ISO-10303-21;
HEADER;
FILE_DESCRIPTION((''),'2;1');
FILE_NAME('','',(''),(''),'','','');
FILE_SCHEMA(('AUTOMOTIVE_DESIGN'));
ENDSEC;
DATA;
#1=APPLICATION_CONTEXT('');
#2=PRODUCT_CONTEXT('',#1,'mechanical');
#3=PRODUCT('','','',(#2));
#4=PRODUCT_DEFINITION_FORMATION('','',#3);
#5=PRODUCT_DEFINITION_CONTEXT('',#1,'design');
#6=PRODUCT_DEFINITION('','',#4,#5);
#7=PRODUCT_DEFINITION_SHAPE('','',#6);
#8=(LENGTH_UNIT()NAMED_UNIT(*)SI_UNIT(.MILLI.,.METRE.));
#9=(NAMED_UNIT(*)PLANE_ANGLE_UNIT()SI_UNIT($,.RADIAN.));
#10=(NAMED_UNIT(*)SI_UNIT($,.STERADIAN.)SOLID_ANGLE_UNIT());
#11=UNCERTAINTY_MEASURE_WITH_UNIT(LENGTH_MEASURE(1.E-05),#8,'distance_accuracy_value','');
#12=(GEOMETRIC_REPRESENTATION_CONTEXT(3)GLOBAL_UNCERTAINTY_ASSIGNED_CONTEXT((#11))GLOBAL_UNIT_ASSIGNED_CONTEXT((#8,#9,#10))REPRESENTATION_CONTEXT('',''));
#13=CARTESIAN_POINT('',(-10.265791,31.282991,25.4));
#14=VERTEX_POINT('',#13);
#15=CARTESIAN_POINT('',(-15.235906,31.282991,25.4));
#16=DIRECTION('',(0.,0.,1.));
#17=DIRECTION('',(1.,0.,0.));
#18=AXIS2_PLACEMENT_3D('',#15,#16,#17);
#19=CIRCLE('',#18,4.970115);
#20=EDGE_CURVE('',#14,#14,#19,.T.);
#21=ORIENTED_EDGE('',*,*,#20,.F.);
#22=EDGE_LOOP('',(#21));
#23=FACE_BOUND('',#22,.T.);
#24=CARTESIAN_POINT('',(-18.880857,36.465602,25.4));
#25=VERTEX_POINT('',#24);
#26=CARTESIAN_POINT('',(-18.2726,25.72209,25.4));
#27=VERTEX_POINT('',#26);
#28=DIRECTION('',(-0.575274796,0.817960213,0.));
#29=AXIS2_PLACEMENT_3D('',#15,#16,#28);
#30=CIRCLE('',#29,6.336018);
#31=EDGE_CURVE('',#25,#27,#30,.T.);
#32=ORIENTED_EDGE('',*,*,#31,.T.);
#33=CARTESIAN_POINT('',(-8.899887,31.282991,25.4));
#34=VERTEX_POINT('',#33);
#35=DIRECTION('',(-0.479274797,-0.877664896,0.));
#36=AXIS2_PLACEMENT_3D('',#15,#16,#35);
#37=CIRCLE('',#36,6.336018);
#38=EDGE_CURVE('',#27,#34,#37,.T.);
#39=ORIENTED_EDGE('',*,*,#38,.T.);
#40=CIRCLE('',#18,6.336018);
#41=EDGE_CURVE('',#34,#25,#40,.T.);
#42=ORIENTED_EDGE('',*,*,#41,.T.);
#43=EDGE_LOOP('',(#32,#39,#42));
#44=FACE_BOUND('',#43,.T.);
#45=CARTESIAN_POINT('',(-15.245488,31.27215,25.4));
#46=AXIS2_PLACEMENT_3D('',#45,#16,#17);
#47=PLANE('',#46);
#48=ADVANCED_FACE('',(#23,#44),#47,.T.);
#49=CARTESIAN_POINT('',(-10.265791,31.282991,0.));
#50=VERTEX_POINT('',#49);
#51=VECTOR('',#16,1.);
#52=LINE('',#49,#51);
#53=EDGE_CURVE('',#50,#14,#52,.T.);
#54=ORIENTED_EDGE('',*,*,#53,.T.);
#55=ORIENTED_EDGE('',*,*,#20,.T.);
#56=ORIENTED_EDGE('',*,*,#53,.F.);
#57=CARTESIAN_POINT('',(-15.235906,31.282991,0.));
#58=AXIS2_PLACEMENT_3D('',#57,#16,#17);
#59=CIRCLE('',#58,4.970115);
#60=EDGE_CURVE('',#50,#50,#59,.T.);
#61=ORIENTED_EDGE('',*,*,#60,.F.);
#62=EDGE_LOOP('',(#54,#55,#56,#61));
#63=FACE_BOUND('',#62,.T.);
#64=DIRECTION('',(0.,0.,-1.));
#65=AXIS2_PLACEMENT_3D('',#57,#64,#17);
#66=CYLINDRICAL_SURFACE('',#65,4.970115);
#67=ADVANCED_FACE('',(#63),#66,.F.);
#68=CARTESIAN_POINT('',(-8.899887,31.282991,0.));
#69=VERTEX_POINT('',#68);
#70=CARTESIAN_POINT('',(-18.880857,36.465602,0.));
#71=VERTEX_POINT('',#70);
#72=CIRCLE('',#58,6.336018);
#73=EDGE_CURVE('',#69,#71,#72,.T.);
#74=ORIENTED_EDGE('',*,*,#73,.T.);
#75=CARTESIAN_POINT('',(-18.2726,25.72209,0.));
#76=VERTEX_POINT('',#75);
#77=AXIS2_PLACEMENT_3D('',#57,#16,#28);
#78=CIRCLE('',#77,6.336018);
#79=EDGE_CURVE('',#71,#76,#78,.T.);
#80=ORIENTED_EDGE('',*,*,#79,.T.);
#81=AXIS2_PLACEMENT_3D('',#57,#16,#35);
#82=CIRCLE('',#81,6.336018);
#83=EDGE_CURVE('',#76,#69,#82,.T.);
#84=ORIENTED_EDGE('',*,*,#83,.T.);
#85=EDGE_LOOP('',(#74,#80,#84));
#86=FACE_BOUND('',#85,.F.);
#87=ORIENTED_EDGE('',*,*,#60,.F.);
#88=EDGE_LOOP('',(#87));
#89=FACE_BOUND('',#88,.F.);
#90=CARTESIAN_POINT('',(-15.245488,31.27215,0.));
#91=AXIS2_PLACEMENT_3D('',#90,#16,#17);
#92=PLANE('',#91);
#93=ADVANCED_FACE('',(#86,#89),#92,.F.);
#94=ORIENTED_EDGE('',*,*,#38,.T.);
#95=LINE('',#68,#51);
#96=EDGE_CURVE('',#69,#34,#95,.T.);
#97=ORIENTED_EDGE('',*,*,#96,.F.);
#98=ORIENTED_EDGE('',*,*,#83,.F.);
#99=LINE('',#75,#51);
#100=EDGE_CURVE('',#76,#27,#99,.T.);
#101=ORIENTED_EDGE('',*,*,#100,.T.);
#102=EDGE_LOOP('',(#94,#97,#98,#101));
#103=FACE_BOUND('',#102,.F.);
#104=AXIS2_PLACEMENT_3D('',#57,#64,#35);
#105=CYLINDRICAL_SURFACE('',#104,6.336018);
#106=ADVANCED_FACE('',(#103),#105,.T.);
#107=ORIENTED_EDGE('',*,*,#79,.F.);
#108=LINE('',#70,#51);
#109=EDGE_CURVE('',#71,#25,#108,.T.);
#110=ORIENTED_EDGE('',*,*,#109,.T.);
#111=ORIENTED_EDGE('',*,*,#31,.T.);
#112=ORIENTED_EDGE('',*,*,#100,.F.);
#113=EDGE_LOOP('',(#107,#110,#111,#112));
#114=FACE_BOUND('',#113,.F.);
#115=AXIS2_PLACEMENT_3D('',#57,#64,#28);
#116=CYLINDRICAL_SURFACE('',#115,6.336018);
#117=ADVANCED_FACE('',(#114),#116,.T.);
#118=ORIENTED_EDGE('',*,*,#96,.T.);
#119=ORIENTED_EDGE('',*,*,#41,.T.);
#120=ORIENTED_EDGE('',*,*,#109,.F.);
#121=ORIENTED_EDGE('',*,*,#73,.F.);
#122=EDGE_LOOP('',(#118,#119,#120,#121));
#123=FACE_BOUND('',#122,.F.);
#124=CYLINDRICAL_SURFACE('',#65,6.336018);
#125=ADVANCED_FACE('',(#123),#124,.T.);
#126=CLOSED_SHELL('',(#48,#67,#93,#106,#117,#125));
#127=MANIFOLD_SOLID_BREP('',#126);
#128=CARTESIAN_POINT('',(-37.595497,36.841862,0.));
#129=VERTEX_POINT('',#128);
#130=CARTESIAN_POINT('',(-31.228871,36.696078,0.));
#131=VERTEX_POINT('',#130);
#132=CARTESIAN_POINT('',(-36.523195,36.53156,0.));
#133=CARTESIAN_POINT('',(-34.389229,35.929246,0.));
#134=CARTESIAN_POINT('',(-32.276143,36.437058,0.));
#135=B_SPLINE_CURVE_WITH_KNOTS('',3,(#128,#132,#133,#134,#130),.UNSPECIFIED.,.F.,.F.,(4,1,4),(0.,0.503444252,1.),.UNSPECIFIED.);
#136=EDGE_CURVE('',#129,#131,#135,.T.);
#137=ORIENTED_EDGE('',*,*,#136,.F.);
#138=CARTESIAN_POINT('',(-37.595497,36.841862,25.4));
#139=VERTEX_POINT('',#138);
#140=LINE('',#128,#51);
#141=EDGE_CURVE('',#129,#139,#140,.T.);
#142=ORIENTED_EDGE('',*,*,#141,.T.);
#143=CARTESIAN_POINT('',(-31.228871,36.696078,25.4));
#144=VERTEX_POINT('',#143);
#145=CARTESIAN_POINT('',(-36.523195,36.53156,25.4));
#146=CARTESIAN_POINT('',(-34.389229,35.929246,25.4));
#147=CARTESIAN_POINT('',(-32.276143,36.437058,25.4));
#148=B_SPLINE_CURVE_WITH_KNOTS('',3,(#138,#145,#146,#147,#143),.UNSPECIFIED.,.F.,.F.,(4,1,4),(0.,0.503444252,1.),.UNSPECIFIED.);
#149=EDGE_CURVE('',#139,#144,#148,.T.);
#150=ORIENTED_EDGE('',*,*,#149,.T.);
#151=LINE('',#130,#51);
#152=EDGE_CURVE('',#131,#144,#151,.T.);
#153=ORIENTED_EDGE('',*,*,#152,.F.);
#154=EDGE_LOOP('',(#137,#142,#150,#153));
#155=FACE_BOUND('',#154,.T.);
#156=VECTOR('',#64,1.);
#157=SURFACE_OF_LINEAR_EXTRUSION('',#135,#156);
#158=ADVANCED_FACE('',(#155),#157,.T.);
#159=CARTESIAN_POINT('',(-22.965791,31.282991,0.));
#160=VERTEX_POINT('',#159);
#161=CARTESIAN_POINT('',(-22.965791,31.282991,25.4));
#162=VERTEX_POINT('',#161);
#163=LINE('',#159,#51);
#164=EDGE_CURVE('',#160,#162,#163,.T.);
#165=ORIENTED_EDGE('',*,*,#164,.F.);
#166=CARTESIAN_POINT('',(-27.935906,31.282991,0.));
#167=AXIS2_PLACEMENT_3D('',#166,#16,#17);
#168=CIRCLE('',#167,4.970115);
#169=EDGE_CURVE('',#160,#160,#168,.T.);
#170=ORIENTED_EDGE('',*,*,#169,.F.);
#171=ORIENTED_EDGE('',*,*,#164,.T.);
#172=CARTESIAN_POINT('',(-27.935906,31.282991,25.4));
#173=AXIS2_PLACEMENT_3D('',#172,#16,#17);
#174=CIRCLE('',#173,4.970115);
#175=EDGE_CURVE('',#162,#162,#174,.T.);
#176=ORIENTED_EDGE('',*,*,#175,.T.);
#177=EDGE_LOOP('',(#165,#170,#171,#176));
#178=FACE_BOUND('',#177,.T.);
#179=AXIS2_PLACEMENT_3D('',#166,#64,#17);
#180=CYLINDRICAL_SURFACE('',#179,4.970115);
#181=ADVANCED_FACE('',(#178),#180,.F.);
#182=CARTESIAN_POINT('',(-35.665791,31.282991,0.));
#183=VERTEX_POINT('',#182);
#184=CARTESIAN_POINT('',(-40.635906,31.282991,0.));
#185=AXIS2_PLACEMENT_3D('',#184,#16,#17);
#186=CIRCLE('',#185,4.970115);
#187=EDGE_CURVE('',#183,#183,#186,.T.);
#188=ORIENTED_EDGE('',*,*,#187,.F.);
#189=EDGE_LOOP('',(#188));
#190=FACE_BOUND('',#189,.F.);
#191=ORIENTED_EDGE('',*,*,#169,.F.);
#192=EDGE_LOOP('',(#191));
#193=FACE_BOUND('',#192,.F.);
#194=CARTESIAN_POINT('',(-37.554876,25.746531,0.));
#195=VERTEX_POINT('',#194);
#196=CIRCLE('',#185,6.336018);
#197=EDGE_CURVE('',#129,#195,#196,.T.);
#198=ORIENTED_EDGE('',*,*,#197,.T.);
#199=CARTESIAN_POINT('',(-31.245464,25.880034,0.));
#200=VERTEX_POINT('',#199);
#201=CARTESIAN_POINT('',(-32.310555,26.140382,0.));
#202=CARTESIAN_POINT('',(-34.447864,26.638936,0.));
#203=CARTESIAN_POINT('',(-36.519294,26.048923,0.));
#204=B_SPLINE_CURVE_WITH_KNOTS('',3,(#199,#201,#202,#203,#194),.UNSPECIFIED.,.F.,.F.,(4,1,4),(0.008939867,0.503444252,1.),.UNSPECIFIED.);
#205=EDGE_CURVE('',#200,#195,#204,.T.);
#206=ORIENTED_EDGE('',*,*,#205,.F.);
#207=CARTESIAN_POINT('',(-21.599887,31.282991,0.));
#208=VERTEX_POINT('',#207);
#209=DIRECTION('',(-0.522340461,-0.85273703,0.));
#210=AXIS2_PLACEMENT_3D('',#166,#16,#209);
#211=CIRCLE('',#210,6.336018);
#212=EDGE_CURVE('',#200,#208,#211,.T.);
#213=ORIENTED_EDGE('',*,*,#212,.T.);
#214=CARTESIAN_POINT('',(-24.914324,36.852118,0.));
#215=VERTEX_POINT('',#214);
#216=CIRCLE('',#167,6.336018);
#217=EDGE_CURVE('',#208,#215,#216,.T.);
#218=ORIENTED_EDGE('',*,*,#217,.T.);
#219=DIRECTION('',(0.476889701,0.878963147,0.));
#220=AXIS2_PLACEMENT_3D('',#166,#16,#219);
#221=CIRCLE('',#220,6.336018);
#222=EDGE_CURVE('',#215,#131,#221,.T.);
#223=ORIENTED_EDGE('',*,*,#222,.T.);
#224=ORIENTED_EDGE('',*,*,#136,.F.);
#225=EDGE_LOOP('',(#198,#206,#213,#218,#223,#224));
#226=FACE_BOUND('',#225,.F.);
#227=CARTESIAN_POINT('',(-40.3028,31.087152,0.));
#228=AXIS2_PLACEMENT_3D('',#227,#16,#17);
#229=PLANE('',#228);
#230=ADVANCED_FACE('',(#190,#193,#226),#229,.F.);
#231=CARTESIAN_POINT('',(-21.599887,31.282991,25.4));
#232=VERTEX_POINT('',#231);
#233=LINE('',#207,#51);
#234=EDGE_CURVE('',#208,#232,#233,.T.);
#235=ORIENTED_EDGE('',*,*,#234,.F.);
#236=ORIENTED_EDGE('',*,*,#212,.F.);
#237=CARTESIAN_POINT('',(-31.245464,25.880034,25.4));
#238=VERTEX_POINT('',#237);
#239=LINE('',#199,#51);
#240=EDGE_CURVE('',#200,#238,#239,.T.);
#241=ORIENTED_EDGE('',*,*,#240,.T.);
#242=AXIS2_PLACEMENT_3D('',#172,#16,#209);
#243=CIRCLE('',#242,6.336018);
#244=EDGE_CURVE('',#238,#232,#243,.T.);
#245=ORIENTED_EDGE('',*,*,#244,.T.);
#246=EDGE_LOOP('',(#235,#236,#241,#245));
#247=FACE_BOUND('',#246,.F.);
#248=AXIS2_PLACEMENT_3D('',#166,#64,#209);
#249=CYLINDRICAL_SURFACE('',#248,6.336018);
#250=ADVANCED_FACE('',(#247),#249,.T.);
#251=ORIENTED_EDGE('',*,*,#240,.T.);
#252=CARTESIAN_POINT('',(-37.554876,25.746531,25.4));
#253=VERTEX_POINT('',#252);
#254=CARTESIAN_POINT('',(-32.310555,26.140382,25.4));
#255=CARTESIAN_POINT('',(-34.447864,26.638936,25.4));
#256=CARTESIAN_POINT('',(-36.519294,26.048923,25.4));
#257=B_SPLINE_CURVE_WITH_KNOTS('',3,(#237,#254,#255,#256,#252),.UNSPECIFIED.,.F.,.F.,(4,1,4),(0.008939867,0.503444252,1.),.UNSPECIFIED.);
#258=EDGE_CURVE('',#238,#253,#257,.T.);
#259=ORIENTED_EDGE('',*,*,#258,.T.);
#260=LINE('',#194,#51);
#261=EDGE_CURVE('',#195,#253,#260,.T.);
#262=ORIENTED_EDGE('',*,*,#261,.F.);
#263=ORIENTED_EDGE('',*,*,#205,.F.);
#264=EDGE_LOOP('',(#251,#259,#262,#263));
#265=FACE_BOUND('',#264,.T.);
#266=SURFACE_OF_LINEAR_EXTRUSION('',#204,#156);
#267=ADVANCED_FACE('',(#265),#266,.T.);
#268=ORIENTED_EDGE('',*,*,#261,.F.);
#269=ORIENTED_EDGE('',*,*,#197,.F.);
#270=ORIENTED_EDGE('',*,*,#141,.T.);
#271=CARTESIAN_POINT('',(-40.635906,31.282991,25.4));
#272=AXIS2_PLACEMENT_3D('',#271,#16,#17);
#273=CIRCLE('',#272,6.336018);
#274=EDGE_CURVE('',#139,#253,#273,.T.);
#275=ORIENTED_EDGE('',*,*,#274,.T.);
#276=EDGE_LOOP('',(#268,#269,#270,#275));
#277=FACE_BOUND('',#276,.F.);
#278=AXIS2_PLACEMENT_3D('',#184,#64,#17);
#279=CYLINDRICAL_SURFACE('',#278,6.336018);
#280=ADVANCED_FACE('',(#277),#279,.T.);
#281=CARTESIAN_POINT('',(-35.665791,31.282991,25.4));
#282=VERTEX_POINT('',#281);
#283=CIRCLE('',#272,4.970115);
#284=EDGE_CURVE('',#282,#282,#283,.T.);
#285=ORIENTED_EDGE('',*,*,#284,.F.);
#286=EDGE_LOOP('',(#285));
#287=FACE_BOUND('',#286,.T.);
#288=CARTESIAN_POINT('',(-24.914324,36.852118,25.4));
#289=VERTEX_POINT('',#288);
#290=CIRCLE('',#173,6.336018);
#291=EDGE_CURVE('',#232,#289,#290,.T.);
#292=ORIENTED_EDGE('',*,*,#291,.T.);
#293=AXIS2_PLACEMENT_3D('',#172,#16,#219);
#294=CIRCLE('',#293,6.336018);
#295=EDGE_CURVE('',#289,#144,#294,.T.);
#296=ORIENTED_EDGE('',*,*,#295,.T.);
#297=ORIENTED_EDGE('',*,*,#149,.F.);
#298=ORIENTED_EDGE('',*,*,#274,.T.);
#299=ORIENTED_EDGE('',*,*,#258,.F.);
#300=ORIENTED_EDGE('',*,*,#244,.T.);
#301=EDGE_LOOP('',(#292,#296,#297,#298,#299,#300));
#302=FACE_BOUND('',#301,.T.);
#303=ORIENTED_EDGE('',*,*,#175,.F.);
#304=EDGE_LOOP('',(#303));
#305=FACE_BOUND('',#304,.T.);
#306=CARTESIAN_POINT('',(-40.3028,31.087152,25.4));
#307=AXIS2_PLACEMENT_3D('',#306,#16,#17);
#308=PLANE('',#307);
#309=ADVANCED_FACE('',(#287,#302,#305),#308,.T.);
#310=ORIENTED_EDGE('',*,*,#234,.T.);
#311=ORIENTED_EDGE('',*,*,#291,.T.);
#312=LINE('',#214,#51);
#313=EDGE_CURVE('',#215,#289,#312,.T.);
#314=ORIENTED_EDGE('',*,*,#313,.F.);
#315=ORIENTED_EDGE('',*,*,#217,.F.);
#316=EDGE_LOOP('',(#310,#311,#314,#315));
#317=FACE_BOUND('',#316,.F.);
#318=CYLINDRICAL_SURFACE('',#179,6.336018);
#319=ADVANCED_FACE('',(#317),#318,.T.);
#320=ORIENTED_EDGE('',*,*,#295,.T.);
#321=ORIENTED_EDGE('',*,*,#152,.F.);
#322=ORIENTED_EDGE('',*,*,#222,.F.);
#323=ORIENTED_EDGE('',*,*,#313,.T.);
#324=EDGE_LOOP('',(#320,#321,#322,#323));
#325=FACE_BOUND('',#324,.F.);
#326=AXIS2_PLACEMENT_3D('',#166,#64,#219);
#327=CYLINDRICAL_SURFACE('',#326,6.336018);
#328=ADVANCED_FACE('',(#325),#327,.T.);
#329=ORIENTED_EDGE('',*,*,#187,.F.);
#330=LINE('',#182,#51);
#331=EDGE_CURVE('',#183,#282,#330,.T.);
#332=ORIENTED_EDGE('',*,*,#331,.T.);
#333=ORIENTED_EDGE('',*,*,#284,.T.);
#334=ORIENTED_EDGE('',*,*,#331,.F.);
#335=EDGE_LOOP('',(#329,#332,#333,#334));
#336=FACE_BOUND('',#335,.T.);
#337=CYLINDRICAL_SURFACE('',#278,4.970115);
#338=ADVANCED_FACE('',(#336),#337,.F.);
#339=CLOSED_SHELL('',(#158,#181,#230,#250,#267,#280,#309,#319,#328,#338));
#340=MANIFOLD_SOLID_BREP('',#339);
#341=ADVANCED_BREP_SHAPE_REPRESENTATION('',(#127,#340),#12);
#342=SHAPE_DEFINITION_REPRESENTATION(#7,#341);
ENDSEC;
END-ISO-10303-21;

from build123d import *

# Parameters (mm, degrees)
F0_R     = 4.9701150295
F1_DEPTH = 25.4


with BuildPart() as f1:
    # F0 (on Top) → F1 (new body)
    with BuildSketch(Plane.XY):
        with BuildLine():
            ThreePointArc((-37.5548763983, 25.7465314516), (-35.1739195312, 28.0717865856), (-34.2998874076, 31.2829911709))
            ThreePointArc((-34.2998874076, 31.2829911709), (-35.1857123791, 34.5141706089), (-37.5954967585, 36.8418616721))
            ThreePointArc((-37.5954967585, 36.8418616721), (-46.9718815253, 31.2597949599), (-37.5548763983, 25.7465314516))
        make_face()
        with Locations((-40.6359056969, 31.2829911709)):
            Circle(F0_R, mode=Mode.SUBTRACT)
        with BuildLine():
            ThreePointArc((-37.5954967585, 36.8418616721), (-35.1857123791, 34.5141706089), (-34.2998874076, 31.2829911709))
            ThreePointArc((-34.2998874076, 31.2829911709), (-35.1739195312, 28.0717865856), (-37.5548763983, 25.7465314516))
            add(Edge.make_bspline(
                [(-31.2454644094, 25.8800337501), (-32.3105548409, 26.1403817015), (-34.4478644821, 26.6389357107), (-36.5192941883, 26.0489230754), (-37.5548763983, 25.7465314516)],
                knots=[0.0089398672, 0.0089398672, 0.0089398672, 0.0089398672, 0.5034442521, 1, 1, 1, 1], degree=3))
            ThreePointArc((-31.2454644094, 25.8800337501), (-34.2719165296, 31.2927117553), (-31.2288706449, 36.6960780548))
            add(Edge.make_bspline(
                [(-37.5954967585, 36.8418616721), (-36.523194575, 36.5315601084), (-34.3892290206, 35.9292461532), (-32.2761431391, 36.4370577262), (-31.2288706449, 36.6960780548)],
                knots=[0, 0, 0, 0, 0.5034442521, 1, 1, 1, 1], degree=3))
        make_face()
        with BuildLine():
            ThreePointArc((-24.9143238289, 36.8521177431), (-28.0924281877, 37.6170758303), (-31.2288706449, 36.6960780548))
            ThreePointArc((-31.2288706449, 36.6960780548), (-34.2719165296, 31.2927117553), (-31.2454644094, 25.8800337501))
            ThreePointArc((-31.2454644094, 25.8800337501), (-24.8394800777, 25.7551275558), (-21.5998874076, 31.2829911709))
            ThreePointArc((-21.5998874076, 31.2829911709), (-22.4911868914, 34.5233869634), (-24.9143238289, 36.8521177431))
        make_face()
        with Locations((-27.9359056969, 31.2829911709)):
            Circle(F0_R, mode=Mode.SUBTRACT)
    extrude(amount=F1_DEPTH)


with BuildPart() as f1b:
    # F0 (on Top) → F1, piece 2 (new body)
    with BuildSketch(Plane.XY):
        with BuildLine():
            ThreePointArc((-8.8998874076, 31.2829911709), (-12.3160899846, 36.906140108), (-18.8808573243, 36.4656020377))
            ThreePointArc((-18.8808573243, 36.4656020377), (-21.5617935844, 30.9248428827), (-18.2725995758, 25.7220903402))
            ThreePointArc((-18.2725995758, 25.7220903402), (-12.0029055572, 25.8338776779), (-8.8998874076, 31.2829911709))
        make_face()
        with Locations((-15.2359056969, 31.2829911709)):
            Circle(F0_R, mode=Mode.SUBTRACT)
    extrude(amount=F1_DEPTH)


solid = Compound([f1.part, f1b.part])
